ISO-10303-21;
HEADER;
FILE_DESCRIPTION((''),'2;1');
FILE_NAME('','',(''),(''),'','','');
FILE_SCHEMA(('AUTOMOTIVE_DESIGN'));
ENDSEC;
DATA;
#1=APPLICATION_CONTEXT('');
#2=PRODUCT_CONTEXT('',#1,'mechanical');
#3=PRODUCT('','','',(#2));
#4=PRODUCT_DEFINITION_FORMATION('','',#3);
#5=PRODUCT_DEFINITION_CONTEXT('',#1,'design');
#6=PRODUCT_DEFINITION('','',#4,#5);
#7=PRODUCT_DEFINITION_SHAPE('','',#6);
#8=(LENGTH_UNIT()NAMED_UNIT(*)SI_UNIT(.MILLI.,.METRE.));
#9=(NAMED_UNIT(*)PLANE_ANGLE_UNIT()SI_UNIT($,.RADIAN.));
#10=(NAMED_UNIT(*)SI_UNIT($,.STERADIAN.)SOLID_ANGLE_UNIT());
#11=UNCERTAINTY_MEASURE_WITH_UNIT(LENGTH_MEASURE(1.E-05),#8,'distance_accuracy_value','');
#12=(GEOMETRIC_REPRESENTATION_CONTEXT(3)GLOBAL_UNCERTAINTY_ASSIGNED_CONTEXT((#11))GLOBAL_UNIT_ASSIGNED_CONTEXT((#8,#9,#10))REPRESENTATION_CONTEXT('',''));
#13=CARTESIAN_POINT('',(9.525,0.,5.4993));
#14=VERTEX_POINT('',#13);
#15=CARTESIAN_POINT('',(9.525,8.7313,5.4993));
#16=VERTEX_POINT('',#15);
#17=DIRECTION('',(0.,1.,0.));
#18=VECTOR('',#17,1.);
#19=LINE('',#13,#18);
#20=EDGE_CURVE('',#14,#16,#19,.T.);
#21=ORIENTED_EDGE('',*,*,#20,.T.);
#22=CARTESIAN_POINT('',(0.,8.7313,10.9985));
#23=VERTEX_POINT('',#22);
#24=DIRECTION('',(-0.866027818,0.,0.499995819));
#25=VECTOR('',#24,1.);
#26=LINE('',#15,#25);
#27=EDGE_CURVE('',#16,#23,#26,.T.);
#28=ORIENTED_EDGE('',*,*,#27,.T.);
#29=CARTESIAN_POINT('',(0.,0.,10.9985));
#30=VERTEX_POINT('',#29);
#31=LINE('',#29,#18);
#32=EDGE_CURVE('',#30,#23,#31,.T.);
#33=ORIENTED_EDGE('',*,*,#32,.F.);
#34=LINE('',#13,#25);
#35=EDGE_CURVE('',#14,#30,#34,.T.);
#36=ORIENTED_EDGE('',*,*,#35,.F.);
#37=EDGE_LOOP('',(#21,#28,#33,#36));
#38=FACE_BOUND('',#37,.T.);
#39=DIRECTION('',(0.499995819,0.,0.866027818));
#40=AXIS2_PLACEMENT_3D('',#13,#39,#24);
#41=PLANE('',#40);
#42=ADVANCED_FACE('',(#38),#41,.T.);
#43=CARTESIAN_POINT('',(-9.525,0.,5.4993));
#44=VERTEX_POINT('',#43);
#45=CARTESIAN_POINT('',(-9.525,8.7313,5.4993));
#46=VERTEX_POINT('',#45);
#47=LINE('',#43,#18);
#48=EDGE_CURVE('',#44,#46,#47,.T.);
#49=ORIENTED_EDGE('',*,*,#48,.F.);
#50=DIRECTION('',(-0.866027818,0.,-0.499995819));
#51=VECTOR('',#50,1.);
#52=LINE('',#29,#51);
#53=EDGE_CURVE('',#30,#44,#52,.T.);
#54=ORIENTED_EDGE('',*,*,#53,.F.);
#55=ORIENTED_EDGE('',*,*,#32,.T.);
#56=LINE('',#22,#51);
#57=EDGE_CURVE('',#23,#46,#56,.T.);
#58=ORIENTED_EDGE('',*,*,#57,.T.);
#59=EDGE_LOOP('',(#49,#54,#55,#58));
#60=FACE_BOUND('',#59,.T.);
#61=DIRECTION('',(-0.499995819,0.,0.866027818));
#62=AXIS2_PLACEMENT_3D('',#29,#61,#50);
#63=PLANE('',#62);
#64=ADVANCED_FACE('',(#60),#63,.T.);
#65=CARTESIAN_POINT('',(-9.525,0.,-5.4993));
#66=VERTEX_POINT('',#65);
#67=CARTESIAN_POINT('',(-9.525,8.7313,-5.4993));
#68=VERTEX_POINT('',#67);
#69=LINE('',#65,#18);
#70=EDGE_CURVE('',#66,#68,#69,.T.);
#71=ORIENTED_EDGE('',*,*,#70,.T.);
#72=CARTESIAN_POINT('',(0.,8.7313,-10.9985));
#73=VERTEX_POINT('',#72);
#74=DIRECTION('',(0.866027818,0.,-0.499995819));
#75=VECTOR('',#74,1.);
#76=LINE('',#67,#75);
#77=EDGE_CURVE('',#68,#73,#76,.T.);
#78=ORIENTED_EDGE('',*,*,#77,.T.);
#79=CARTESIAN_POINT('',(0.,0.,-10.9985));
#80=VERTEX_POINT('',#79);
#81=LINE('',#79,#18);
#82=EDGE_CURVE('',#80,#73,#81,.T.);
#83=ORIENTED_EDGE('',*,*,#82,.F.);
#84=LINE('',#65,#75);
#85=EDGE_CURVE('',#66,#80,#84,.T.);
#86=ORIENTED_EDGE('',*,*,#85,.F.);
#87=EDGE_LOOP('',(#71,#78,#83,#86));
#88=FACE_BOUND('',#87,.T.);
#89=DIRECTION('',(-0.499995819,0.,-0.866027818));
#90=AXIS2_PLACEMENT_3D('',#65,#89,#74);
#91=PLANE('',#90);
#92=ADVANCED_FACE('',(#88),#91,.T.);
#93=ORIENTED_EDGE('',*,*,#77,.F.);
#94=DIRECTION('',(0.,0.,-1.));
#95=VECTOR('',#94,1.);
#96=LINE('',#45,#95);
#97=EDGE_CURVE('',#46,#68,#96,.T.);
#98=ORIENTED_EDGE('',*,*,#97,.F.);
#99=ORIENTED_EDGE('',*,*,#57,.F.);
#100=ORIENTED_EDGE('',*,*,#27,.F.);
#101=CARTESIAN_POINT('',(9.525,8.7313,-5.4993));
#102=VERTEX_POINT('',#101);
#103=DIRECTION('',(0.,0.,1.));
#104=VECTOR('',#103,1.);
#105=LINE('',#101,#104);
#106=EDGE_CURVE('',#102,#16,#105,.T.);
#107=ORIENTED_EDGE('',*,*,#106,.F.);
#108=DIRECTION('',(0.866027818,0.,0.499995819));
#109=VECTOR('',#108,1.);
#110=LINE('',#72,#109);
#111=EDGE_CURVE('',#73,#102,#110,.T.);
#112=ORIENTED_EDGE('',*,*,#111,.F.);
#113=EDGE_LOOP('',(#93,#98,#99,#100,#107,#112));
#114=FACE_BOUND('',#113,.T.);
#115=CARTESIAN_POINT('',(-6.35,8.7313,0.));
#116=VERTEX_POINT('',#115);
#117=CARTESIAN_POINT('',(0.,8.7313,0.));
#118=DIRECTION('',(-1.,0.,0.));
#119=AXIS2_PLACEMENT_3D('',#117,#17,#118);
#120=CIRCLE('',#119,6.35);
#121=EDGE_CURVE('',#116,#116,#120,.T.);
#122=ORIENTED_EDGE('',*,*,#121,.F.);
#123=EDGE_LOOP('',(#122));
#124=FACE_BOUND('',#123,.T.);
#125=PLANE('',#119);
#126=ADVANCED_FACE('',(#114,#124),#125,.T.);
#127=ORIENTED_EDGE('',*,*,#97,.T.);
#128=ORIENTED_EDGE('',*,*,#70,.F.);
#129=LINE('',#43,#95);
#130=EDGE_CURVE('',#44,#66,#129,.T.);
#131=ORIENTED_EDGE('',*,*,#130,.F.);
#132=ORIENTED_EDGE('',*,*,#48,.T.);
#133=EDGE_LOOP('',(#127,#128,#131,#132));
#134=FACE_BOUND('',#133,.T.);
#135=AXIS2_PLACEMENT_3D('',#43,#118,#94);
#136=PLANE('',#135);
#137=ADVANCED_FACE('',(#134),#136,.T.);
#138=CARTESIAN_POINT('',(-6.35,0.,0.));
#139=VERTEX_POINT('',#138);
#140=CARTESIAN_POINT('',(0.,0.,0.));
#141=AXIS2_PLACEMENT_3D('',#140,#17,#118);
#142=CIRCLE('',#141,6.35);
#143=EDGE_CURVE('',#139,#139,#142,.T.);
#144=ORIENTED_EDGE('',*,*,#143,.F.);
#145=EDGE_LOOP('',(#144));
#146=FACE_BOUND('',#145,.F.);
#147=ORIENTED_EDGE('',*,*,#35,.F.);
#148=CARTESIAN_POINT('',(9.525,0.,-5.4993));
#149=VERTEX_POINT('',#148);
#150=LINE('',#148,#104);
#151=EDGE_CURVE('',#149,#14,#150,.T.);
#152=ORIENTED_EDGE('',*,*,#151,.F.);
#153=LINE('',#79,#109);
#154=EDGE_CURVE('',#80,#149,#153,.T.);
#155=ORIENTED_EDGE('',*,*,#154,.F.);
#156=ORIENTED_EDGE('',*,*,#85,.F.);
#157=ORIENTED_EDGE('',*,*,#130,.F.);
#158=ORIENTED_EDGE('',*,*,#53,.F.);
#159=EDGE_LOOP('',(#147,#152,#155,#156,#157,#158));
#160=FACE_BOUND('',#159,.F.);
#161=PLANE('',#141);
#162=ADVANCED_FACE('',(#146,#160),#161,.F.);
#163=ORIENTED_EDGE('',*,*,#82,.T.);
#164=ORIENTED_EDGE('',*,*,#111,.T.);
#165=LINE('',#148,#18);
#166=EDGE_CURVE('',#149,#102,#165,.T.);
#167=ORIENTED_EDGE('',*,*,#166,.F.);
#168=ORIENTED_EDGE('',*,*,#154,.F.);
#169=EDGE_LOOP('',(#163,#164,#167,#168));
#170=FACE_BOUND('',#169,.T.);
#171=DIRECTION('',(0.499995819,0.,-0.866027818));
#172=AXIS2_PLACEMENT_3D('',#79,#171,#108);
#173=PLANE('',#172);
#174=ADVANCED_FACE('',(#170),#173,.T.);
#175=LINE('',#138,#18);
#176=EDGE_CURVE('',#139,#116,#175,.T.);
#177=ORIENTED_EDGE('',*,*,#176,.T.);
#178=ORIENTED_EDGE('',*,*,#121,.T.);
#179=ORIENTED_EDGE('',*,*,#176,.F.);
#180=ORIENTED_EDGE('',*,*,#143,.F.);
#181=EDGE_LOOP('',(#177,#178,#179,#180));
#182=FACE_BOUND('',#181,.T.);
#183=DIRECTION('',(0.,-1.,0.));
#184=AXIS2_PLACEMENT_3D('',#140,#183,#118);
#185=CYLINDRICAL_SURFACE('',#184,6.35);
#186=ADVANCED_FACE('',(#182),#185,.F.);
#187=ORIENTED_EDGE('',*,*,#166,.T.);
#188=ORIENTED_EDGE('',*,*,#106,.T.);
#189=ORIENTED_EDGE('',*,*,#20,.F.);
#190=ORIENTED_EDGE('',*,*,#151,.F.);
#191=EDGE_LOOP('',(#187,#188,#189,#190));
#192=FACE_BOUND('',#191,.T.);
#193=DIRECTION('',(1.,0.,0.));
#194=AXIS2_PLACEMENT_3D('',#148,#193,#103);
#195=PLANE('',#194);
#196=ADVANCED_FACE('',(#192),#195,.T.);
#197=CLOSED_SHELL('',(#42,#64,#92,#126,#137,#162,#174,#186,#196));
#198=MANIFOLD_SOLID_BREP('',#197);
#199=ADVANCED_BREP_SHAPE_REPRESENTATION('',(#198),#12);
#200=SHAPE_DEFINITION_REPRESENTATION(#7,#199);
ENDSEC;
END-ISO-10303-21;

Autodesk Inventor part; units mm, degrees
ref_plane "YZ Plane" through (0, 0, 0) normal (1, 0, 0) x (0, 1, 0)
ref_plane "XZ Plane" through (0, 0, 0) normal (0, 1, 0) x (-1, 0, 0)
ref_plane "XY Plane" through (0, 0, 0) normal (0, 0, 1) x (1, 0, 0)
sketch "Sketch1" plane through (0, 0, 0) normal (0, 1, 0) x (-1, 0, 0)
  line L0 (9.525, -5.4993) -> (0, -10.9985)
  line L1 (0, -10.9985) -> (-9.525, -5.4993)
  line L2 (-9.525, -5.4993) -> (-9.525, 5.4993)
  line L3 (-9.525, 5.4993) -> (0, 10.9985)
  line L4 (0, 10.9985) -> (9.525, 5.4993)
  line L5 (9.525, 5.4993) -> (9.525, -5.4993)
  circle A0 centre (0, 0) radius 6.35
  dimension "d0" = 19.05
  dimension "d1" = 12.7
extrude "Extrusion1" add sketch "Sketch1" along normal blind 8.7313
properties part number "half-inch hex nut" material "Steel"
